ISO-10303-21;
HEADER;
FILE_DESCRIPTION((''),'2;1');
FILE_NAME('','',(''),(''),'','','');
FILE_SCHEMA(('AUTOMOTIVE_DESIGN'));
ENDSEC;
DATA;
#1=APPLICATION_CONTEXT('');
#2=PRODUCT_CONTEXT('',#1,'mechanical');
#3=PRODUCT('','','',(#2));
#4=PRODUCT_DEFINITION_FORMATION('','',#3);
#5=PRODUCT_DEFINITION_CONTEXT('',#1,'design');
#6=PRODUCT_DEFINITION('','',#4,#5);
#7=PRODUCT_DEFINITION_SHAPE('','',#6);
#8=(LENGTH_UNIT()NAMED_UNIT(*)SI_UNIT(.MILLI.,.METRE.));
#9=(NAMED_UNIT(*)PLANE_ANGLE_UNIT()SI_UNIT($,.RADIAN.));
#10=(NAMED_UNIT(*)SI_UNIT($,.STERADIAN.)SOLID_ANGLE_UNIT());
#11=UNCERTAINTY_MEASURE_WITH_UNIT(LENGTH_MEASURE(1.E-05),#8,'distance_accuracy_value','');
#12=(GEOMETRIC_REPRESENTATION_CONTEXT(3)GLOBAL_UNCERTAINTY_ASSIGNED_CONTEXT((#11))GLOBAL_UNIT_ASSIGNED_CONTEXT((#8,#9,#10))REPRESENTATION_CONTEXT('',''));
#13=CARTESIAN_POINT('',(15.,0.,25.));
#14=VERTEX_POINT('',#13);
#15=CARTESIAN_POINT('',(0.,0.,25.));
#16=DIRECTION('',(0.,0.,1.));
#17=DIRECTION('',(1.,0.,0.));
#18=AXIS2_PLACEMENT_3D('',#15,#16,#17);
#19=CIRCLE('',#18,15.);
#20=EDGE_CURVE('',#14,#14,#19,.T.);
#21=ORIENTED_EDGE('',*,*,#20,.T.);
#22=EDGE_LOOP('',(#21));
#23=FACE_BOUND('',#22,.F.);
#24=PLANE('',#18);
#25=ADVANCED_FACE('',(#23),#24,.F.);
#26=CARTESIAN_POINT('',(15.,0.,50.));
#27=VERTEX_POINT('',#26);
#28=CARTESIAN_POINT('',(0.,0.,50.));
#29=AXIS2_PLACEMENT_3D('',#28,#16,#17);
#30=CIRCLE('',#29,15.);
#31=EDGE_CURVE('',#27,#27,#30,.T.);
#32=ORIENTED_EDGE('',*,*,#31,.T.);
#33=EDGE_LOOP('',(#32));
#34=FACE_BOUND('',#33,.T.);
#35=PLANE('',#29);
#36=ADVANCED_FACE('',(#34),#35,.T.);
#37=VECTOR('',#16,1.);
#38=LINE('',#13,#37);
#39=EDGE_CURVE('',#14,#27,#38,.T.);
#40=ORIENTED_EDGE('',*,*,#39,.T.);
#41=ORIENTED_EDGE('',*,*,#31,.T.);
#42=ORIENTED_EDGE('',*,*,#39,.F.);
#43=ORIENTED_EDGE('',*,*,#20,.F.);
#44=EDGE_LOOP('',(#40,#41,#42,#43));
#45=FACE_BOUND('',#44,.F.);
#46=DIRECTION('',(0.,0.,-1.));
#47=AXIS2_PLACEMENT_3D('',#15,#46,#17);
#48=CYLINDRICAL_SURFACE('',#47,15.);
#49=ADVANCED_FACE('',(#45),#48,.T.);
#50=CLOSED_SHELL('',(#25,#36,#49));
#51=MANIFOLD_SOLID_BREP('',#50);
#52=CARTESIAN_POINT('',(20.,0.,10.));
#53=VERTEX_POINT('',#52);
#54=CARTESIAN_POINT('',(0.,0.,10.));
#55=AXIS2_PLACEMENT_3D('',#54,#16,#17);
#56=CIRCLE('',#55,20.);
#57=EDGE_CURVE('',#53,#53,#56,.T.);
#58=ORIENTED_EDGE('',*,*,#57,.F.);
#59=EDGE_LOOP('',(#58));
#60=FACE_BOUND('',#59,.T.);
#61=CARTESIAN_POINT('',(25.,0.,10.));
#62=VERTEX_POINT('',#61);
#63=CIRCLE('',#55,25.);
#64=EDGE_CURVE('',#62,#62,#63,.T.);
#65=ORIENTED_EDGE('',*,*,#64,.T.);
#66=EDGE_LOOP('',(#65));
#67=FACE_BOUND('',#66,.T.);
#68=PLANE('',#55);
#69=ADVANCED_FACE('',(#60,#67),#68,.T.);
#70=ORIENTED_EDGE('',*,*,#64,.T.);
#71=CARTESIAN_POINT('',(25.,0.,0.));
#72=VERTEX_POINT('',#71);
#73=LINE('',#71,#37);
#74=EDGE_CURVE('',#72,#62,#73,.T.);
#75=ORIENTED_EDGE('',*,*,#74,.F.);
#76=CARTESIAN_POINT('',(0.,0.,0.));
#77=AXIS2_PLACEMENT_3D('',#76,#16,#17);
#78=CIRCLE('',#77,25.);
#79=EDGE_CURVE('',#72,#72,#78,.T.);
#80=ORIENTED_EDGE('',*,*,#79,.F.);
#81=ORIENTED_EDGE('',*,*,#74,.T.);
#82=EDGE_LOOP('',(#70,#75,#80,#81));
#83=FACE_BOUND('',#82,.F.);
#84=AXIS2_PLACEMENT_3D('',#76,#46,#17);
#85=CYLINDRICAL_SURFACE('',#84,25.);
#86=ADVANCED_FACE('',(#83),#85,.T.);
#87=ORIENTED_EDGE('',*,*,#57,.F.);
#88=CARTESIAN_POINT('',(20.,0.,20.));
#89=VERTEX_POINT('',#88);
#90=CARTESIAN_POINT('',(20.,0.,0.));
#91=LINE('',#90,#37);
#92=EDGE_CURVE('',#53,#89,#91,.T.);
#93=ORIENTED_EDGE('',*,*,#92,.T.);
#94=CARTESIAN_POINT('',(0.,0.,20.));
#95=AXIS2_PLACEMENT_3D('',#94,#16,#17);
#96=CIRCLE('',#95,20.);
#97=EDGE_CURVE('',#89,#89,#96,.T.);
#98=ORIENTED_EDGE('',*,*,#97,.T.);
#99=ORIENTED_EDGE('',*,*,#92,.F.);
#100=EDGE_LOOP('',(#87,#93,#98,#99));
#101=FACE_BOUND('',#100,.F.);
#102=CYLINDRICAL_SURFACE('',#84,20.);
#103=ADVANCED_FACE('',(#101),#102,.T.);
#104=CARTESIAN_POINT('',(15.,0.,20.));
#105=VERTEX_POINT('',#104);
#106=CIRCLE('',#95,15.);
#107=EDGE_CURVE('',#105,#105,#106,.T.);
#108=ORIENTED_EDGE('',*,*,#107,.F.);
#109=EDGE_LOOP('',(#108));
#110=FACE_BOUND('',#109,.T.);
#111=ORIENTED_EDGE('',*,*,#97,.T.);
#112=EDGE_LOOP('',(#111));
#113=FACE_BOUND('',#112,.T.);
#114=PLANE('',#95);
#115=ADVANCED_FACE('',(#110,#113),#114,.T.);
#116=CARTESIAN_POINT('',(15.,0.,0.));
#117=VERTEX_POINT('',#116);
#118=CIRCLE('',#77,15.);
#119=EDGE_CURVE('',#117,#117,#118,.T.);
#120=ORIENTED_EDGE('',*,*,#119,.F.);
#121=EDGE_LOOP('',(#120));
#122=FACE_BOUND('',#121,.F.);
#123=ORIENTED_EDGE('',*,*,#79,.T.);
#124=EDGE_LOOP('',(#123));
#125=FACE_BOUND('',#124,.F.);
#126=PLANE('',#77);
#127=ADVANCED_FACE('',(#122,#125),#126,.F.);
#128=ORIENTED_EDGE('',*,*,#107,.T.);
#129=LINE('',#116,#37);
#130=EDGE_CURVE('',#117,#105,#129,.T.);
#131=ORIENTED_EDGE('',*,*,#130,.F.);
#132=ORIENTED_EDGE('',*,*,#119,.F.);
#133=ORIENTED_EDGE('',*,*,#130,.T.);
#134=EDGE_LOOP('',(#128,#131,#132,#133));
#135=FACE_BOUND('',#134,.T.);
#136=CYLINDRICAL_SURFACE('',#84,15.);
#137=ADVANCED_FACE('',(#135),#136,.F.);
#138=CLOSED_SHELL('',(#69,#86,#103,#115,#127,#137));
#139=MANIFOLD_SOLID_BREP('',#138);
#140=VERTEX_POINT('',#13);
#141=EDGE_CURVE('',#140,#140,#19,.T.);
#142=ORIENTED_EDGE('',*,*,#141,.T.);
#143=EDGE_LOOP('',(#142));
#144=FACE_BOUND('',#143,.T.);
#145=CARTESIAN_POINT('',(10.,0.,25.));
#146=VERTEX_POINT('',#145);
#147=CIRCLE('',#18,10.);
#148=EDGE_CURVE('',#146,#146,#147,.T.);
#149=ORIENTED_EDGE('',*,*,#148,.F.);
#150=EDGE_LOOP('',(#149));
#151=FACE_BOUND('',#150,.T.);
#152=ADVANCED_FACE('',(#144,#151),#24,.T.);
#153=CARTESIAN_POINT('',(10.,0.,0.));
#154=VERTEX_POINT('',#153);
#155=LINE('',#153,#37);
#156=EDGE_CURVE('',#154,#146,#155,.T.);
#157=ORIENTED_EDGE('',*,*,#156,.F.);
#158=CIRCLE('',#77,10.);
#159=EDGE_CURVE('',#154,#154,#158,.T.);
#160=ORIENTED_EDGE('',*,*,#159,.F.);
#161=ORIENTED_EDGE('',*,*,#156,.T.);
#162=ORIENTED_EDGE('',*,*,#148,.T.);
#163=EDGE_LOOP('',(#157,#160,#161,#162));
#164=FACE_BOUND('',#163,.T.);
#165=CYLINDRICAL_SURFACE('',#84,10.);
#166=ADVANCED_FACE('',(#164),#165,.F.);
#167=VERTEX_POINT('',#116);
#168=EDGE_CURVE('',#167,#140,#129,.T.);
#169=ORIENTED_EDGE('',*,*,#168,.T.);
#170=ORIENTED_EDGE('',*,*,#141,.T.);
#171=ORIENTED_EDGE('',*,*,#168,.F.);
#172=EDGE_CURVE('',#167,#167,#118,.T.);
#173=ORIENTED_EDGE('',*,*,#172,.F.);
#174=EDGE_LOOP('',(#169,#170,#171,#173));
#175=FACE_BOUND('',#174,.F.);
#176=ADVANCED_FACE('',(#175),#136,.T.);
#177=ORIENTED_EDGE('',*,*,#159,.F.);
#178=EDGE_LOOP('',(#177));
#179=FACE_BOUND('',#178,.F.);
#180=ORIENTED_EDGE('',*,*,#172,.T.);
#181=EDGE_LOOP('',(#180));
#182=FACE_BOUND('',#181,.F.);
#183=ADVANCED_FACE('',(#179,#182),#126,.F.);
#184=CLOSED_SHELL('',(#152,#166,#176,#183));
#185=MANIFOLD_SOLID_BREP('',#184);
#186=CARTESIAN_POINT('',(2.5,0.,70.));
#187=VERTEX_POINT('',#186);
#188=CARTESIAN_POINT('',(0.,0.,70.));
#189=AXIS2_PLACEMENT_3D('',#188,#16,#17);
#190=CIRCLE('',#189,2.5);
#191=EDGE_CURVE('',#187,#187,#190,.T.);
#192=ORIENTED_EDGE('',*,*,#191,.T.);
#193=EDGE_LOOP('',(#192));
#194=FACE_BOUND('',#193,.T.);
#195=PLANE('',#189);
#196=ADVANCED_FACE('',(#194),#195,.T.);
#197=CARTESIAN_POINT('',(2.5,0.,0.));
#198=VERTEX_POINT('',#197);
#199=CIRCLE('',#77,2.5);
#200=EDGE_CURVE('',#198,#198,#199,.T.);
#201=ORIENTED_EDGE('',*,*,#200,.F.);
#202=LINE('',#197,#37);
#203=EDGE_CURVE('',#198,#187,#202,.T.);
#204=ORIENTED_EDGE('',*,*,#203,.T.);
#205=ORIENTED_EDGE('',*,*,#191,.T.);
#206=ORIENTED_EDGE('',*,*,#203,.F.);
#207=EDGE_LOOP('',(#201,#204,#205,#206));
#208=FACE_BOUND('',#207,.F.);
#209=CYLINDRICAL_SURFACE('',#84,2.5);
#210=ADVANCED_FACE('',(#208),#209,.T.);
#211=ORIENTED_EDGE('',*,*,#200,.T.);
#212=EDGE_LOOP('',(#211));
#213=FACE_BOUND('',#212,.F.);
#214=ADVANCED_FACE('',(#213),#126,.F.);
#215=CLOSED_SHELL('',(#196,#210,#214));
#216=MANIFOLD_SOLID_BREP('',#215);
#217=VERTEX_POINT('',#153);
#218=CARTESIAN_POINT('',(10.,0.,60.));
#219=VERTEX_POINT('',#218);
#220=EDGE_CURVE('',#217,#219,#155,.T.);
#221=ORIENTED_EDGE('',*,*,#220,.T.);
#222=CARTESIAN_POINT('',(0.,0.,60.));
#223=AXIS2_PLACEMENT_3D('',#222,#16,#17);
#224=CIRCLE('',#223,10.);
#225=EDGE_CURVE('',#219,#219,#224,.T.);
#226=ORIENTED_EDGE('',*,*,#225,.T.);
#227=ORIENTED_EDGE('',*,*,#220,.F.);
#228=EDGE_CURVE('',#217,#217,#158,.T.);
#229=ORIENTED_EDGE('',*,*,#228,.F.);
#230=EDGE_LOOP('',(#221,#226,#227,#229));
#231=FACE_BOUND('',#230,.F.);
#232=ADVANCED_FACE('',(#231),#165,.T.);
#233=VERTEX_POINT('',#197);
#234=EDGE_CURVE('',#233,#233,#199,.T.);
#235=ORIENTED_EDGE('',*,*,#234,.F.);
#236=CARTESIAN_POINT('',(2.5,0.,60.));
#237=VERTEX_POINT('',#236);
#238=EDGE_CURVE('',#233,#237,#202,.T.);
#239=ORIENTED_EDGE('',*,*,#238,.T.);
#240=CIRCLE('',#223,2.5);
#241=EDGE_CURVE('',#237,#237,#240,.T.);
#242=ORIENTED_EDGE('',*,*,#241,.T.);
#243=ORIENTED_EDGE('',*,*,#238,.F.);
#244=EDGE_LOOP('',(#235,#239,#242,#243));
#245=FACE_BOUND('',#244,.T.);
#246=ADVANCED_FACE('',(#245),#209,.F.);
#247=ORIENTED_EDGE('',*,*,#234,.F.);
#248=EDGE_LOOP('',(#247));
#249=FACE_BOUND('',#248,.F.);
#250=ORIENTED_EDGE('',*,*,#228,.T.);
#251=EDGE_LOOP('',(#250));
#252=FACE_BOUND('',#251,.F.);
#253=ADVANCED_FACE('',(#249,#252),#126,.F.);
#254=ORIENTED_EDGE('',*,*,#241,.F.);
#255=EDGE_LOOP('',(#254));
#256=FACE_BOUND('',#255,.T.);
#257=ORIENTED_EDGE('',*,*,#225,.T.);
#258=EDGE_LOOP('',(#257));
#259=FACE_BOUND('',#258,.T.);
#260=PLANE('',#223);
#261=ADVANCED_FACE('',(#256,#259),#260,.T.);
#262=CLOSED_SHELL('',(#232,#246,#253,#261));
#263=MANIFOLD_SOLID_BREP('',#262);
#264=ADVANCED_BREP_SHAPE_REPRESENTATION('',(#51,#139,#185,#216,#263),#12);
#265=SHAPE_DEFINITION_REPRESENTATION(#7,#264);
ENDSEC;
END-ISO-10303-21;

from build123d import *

# Parameters (mm, degrees)
F0_R     = 2.5
F1_DEPTH = 70
F0_R_2   = 25
F0_R_3   = 20
F2_DEPTH = 10
F0_R_4   = 15
F3_DEPTH = 20
F0_R_5   = 10
F4_DEPTH = 25
F6_R     = 15
F7_DEPTH = 25
F8_DEPTH = 60


with BuildPart() as f1:
    # F0 (on Top) → F1 (new body)
    with BuildSketch(Plane.XY):
        Circle(F0_R)
    extrude(amount=F1_DEPTH)


with BuildPart() as f2:
    # F0 (on Top) → F2 (new body)
    with BuildSketch(Plane.XY):
        Circle(F0_R_2)
        Circle(F0_R_3, mode=Mode.SUBTRACT)
    extrude(amount=F2_DEPTH)

    # F0 (on Top) → F3 (join)
    with BuildSketch(Plane.XY):
        Circle(F0_R_3)
        Circle(F0_R_4, mode=Mode.SUBTRACT)
    extrude(amount=F3_DEPTH)


with BuildPart() as f4:
    # F0 (on Top) → F4 (new body)
    with BuildSketch(Plane.XY):
        Circle(F0_R_4)
        Circle(F0_R_5, mode=Mode.SUBTRACT)
    extrude(amount=F4_DEPTH)


with BuildPart() as f7:
    # F6 (on offset) → F7 (new body)
    with BuildSketch(Plane.XY.offset(25)):
        Circle(F6_R)
    extrude(amount=F7_DEPTH)


with BuildPart() as f8:
    # F0 (on Top) → F8 (new body)
    with BuildSketch(Plane.XY):
        Circle(F0_R_5)
        Circle(F0_R, mode=Mode.SUBTRACT)
    extrude(amount=F8_DEPTH)


solid = Compound([f1.part, f2.part, f4.part, f7.part, f8.part])
